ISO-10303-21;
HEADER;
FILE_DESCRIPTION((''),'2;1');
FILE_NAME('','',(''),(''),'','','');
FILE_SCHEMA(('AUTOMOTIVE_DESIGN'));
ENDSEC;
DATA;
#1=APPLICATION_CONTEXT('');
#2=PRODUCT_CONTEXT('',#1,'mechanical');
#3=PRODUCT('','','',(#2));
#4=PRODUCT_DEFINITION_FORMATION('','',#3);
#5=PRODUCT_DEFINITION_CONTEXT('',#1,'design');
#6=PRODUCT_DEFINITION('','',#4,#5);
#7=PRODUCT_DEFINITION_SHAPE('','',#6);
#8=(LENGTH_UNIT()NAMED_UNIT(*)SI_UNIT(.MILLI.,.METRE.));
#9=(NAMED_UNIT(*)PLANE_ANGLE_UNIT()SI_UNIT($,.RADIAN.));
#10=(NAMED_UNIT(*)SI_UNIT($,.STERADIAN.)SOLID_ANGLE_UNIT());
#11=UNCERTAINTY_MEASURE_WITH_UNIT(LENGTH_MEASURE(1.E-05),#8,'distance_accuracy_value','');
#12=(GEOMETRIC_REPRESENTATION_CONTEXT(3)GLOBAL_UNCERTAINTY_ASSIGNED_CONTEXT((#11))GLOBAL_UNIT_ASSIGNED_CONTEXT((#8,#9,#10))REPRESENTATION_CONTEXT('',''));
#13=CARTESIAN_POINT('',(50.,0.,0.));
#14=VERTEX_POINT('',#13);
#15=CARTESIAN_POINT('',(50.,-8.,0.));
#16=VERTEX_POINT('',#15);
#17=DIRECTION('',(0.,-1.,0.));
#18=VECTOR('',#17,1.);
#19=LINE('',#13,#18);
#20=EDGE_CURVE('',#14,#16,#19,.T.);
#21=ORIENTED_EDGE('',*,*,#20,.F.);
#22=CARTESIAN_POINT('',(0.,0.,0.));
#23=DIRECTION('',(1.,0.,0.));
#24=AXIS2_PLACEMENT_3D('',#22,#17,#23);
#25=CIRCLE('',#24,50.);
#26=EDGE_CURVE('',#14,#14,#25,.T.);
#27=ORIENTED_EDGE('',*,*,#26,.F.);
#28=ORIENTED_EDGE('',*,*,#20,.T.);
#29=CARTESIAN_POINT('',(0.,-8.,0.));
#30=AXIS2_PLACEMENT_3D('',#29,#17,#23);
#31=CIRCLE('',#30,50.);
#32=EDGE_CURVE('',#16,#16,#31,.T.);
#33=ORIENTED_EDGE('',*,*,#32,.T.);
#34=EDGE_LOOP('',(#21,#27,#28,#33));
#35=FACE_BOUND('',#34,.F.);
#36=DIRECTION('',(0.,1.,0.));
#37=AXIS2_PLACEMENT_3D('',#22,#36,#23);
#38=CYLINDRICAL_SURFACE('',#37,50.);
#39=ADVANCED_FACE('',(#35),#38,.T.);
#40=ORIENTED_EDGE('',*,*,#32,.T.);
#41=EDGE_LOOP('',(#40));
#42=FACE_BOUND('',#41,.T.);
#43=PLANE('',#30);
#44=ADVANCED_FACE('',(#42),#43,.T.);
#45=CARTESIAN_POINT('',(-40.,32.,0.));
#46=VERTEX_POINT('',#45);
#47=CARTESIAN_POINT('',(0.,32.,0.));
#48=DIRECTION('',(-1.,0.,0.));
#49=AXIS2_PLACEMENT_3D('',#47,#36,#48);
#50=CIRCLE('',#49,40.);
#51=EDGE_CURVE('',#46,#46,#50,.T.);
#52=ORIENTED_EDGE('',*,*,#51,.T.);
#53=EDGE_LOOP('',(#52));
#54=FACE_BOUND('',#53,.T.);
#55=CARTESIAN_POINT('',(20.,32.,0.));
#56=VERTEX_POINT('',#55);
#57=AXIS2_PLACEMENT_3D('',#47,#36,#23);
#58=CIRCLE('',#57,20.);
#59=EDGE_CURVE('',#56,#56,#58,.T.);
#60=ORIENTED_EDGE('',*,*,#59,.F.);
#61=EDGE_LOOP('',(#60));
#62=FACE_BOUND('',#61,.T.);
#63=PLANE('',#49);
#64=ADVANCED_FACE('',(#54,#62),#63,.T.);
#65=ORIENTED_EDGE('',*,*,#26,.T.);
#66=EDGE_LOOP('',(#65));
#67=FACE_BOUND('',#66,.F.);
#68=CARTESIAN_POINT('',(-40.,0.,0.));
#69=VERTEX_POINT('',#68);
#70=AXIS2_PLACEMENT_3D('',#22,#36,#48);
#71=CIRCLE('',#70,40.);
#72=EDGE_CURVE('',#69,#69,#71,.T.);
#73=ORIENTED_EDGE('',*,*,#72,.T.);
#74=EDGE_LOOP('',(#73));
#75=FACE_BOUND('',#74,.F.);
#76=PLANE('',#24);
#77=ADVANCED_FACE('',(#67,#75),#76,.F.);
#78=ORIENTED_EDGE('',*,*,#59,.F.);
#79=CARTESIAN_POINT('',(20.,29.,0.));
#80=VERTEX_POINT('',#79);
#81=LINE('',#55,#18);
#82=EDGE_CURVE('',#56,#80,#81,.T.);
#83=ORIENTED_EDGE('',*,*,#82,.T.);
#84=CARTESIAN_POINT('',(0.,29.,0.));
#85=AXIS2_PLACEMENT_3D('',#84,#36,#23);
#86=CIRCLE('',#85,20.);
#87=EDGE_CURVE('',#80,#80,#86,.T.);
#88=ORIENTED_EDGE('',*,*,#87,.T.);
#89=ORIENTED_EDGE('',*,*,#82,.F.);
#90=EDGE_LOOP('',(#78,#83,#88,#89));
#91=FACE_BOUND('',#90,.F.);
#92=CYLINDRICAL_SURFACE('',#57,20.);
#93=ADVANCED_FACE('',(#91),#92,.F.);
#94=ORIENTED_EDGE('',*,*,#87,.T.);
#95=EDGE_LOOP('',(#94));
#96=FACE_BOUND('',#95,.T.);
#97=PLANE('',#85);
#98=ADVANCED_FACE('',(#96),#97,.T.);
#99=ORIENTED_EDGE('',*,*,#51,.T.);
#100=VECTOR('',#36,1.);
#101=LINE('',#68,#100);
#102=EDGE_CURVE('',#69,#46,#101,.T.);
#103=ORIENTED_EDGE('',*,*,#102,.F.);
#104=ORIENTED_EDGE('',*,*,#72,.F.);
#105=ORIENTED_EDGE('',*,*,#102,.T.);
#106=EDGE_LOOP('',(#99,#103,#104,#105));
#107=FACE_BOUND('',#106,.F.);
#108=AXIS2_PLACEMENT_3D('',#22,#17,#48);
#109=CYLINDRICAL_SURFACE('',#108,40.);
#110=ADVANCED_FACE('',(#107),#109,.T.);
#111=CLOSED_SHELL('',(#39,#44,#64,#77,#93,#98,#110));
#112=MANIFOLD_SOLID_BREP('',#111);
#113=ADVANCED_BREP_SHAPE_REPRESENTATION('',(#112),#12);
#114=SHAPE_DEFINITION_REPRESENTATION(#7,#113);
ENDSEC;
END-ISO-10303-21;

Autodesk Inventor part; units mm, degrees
ref_plane "YZ Plane" through (0, 0, 0) normal (1, 0, 0) x (0, 1, 0)
ref_plane "XZ Plane" through (0, 0, 0) normal (0, 1, 0) x (-1, 0, 0)
ref_plane "XY Plane" through (0, 0, 0) normal (0, 0, 1) x (1, 0, 0)
sketch "Sketch1" plane through (0, 0, 0) normal (0, 1, 0) x (-1, 0, 0)
  circle A0 centre (0, 0) radius 40
  dimension "d0" = 80
extrude "Extrusion1" add sketch "Sketch1" along normal blind 32
sketch "Sketch2" plane through (0, 0, 0) normal (0, -1, 0) x (1, 0, 0)
  circle A0 centre (0, 0) radius 50
  dimension "d3" = 100
extrude "Extrusion2" add sketch "Sketch2" along normal blind 8
sketch "Sketch3" plane through (0, 32, 0) normal (0, 1, 0) x (1, 0, 0)
  circle A0 centre (0, 0) radius 20
  dimension "d6" = 40
extrude "Extrusion3" cut sketch "Sketch3" against normal blind 3
properties part number "sensor2"
